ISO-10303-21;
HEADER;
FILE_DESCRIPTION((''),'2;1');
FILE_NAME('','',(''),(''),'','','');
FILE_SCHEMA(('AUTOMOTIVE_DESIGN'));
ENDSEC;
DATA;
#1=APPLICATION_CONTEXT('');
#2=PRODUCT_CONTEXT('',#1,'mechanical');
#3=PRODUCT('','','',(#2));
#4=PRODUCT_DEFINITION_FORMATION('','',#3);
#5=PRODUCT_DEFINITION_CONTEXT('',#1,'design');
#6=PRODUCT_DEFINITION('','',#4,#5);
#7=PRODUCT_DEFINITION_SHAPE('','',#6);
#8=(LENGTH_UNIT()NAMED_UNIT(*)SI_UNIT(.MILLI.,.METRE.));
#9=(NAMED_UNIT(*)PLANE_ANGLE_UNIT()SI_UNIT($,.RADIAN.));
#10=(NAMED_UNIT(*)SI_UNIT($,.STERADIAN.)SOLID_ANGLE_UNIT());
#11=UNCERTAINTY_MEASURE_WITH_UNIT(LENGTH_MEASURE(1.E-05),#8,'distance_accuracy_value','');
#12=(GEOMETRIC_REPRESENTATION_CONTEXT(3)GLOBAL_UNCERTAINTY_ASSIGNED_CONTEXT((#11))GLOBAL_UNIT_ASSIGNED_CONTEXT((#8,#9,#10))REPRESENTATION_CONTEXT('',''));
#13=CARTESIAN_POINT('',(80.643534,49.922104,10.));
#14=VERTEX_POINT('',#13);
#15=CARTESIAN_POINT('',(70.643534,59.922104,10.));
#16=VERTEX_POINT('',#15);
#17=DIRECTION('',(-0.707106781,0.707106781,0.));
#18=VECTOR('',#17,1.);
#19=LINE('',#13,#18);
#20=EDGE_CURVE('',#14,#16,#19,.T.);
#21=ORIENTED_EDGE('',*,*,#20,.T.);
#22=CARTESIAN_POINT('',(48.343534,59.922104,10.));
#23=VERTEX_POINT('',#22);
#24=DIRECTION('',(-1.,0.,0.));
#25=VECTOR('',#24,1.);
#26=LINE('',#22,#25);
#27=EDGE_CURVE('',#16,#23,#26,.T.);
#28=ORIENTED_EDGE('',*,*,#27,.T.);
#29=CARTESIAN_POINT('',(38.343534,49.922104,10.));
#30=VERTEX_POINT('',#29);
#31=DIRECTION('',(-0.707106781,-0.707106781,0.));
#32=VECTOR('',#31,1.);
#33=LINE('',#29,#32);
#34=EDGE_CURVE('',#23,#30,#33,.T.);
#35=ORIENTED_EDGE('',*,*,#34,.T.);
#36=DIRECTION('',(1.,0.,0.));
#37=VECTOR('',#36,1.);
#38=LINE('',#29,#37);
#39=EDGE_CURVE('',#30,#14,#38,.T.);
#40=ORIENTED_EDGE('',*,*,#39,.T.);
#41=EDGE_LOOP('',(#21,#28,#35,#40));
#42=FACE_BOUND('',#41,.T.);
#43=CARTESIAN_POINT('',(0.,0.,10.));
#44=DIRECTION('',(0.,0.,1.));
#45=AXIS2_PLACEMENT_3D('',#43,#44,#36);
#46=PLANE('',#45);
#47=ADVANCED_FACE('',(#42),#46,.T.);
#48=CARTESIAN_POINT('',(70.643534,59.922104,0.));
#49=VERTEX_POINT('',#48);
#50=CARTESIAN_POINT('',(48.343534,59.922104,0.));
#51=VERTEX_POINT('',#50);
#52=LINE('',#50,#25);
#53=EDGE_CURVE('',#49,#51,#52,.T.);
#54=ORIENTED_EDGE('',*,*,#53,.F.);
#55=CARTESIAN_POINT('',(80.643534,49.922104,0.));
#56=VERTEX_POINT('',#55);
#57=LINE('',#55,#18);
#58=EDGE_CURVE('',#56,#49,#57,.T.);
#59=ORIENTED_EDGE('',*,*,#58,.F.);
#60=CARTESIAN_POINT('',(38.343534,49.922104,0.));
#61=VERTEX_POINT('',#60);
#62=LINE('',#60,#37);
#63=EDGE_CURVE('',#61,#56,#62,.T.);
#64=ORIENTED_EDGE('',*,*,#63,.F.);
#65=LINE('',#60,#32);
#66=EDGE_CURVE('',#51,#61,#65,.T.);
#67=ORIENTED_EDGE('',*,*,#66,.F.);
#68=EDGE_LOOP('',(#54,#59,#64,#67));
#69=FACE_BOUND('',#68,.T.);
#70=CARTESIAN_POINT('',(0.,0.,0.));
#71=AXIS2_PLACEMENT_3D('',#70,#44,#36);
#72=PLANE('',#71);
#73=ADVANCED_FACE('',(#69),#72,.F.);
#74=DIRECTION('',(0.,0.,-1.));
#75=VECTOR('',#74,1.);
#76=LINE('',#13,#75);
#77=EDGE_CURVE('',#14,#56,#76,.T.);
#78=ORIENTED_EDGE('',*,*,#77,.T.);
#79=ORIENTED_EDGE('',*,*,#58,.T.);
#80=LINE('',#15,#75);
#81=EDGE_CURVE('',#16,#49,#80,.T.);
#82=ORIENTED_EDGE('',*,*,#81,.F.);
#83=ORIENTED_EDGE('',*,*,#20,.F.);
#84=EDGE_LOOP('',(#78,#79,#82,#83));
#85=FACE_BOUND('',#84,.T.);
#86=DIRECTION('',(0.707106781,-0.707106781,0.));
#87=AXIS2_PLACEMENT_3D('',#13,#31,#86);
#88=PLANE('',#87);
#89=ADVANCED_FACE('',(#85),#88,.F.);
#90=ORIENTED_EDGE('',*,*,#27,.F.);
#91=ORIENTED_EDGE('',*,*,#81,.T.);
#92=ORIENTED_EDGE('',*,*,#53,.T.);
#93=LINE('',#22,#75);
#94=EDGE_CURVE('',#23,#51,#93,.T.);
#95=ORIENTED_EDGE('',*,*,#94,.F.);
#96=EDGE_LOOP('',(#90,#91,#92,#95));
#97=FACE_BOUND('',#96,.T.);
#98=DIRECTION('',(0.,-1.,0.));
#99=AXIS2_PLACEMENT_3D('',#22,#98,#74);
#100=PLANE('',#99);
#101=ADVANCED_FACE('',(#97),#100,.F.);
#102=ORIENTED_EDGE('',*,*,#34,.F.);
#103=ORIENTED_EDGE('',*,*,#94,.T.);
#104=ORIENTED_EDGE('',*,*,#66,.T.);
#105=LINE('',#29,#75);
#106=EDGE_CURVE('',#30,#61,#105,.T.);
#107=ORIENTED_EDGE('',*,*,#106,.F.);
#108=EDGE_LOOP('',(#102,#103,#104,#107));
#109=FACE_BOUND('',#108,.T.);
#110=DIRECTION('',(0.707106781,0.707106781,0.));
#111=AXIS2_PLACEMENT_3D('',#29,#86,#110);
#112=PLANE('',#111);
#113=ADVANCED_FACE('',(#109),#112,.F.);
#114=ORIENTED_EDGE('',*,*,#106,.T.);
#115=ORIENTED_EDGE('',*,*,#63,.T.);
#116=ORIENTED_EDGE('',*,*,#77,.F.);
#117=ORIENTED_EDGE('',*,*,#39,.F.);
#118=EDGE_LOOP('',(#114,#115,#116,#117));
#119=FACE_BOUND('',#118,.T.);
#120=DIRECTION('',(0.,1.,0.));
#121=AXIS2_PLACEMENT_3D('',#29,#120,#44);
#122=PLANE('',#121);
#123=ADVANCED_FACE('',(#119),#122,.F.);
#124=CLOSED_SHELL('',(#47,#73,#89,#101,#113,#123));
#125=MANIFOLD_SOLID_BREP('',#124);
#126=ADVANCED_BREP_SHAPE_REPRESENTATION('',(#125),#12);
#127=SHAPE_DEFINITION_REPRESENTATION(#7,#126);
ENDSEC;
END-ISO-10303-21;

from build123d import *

# Parameters (mm, degrees)
EXTRUDE_1_DEPTH = 10


with BuildPart() as part:
    # 草图1 → 凸台-拉伸1 (new body)
    with BuildSketch(Plane.XY):
        Polygon((38.343533802, 49.922103819), (80.643533802, 49.922103819), (70.643533802, 59.922103819), (48.343533802, 59.922103819), align=None)
    extrude(amount=EXTRUDE_1_DEPTH)


solid = part.part
